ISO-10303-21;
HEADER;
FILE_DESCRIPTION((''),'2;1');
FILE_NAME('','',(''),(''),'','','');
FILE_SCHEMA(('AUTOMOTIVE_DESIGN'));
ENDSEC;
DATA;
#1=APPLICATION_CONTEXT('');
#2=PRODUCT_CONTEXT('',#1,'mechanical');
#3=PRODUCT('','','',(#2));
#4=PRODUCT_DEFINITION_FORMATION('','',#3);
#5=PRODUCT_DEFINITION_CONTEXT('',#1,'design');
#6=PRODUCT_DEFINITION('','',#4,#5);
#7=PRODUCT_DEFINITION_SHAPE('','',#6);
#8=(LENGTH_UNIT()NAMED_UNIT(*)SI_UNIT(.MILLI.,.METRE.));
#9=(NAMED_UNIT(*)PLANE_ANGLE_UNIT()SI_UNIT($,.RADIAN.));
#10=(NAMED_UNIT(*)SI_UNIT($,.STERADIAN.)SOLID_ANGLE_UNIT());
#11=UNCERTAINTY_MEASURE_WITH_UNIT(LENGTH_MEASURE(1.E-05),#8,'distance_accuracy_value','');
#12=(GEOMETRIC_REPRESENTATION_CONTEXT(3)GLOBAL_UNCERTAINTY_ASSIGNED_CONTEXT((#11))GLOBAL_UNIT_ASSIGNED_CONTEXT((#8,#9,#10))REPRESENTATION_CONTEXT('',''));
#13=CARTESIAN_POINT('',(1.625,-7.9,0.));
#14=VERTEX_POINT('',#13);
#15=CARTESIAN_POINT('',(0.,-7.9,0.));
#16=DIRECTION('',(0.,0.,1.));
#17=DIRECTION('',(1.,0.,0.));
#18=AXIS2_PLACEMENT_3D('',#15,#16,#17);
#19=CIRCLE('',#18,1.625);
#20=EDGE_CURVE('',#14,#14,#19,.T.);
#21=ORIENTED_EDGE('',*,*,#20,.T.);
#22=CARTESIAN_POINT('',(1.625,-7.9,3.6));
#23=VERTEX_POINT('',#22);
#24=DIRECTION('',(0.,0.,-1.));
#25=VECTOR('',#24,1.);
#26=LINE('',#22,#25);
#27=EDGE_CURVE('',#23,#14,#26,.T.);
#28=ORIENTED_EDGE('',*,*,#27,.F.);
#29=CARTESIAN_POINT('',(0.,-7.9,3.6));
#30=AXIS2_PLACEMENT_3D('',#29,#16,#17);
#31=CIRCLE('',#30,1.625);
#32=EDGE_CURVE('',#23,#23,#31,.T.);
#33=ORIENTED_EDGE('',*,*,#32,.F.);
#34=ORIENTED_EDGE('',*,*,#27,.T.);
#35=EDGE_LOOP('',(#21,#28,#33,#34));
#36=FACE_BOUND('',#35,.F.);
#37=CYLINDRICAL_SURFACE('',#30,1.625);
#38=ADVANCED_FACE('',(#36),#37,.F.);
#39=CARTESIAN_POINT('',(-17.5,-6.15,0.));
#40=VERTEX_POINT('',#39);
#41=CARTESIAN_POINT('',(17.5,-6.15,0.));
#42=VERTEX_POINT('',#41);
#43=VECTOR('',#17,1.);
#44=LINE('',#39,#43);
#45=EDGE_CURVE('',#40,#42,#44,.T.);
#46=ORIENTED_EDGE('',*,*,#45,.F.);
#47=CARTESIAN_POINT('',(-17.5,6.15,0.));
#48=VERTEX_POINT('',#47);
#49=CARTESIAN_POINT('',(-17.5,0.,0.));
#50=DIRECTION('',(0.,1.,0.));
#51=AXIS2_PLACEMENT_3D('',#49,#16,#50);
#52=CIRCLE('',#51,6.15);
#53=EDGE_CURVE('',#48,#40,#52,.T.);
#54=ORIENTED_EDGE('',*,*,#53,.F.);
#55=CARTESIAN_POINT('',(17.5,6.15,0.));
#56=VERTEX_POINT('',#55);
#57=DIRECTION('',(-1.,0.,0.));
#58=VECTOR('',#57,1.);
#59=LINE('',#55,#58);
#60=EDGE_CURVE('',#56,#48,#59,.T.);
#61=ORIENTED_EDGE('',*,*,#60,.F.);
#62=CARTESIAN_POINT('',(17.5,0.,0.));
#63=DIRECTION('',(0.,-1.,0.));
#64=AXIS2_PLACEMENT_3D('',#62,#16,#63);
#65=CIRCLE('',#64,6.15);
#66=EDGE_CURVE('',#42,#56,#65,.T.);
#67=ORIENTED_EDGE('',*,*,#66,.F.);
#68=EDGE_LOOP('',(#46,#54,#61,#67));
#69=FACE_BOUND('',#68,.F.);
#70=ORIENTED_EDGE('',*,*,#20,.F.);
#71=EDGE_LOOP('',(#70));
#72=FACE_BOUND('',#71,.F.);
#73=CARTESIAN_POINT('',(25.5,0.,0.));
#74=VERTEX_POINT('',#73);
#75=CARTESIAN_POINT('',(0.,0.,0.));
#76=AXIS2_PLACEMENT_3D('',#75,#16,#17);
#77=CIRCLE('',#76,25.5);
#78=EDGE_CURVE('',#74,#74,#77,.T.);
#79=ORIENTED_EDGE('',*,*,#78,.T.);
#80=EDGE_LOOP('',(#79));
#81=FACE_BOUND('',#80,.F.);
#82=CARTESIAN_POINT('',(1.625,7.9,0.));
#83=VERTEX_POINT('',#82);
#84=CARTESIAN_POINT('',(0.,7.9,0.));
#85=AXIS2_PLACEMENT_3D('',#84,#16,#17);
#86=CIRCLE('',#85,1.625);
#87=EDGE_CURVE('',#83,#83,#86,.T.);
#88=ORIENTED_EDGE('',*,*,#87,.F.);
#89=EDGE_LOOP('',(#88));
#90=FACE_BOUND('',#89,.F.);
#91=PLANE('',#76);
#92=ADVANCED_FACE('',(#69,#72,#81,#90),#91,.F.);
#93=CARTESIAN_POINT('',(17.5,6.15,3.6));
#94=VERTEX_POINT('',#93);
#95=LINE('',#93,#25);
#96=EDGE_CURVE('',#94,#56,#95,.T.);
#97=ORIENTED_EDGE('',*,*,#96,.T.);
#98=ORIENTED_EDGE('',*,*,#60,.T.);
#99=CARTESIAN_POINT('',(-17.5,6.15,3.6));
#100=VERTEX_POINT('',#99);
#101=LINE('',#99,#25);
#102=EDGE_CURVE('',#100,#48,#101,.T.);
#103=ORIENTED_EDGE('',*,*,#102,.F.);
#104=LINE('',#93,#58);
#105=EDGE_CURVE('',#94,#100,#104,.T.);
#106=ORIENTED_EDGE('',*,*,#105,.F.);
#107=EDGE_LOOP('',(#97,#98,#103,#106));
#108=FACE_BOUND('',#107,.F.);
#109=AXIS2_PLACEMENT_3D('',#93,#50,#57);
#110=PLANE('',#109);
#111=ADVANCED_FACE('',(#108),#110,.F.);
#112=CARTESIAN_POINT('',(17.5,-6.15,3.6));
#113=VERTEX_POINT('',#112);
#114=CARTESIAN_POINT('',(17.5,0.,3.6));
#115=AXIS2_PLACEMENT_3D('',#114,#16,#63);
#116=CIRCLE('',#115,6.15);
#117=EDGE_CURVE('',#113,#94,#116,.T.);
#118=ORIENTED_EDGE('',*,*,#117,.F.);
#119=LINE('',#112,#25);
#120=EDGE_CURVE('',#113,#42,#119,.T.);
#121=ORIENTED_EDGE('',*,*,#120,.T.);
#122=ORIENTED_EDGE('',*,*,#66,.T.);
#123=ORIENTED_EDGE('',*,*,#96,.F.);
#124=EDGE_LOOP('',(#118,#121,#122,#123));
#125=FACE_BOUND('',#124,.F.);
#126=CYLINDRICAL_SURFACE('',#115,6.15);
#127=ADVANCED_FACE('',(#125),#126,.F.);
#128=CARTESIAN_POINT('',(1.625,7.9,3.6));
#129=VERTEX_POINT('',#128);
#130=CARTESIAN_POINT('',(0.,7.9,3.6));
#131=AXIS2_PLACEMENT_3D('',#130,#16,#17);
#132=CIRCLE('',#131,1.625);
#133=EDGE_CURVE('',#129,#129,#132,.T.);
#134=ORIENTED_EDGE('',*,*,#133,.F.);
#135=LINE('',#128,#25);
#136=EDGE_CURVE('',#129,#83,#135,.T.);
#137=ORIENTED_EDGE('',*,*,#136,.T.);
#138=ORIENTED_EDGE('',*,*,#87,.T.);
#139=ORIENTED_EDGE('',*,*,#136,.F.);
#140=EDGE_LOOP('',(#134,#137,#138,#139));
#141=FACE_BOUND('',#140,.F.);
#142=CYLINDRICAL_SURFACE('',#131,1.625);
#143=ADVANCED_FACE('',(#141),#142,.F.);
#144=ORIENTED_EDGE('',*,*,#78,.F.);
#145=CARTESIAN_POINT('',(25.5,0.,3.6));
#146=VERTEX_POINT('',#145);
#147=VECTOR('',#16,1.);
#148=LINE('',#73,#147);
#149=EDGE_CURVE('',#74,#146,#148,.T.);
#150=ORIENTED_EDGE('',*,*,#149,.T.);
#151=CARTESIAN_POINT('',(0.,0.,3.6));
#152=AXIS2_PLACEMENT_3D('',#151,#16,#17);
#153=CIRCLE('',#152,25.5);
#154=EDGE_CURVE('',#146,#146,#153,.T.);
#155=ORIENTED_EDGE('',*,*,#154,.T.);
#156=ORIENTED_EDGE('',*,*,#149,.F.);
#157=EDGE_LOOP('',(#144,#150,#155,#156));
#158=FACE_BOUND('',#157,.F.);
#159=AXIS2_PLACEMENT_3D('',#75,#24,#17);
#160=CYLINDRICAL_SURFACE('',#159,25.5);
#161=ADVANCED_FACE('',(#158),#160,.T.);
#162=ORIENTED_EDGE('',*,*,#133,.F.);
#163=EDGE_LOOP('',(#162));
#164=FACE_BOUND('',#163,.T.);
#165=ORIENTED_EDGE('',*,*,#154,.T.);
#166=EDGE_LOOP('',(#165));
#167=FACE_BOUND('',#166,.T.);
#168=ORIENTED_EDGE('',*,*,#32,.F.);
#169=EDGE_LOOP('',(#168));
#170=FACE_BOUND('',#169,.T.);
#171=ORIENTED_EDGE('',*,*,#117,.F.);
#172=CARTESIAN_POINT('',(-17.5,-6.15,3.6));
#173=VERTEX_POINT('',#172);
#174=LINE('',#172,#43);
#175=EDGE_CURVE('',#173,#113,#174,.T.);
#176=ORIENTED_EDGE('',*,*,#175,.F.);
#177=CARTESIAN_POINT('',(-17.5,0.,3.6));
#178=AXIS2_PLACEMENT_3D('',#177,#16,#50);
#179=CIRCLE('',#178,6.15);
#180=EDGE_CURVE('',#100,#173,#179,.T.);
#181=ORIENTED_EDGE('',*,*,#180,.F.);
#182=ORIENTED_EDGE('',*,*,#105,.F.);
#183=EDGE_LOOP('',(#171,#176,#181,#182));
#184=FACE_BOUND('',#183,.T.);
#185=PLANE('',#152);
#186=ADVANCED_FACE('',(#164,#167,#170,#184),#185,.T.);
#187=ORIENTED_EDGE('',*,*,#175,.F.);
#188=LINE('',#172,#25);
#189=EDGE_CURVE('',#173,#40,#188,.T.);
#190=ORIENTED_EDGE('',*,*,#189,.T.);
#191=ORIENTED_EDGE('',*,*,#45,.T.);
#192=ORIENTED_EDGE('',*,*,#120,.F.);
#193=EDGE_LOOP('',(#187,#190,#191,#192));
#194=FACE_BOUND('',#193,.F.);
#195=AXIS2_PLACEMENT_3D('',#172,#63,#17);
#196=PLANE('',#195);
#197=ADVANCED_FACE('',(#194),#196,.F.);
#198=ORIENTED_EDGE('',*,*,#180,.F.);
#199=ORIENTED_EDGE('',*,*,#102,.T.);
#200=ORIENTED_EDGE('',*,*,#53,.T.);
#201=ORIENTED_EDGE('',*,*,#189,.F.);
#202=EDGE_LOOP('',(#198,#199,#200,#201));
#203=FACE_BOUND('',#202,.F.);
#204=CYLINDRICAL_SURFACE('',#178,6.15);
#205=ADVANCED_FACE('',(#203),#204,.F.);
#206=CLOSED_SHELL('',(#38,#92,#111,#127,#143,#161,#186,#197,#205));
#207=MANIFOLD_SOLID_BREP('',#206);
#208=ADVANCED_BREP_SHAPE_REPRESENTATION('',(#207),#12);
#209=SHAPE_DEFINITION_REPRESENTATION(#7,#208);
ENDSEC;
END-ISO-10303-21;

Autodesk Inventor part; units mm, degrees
ref_plane "YZ Plane" through (0, 0, 0) normal (1, 0, 0) x (0, 1, 0)
ref_plane "XZ Plane" through (0, 0, 0) normal (0, 1, 0) x (-1, 0, 0)
ref_plane "XY Plane" through (0, 0, 0) normal (0, 0, 1) x (1, 0, 0)
sketch "Sketch1" plane through (0, 0, 0) normal (0, 0, 1) x (1, 0, 0)
  circle A0 centre (0, 0) radius 25.5
  dimension "d0" = 51
extrude "Extrusion1" add sketch "Sketch1" along normal blind 3.6
sketch "Sketch2" plane through (0, 0, 3.6) normal (0, 0, 1) x (1, 0, 0)
  line L0 (17.5, 0) -> (-17.5, 0) construction
  line L1 (17.5, 6.15) -> (-17.5, 6.15)
  line L2 (-17.5, -6.15) -> (17.5, -6.15)
  arc A0 (17.5, -6.15) -> (17.5, 6.15) centre (17.5, 0) ccw
  arc A1 (-17.5, 6.15) -> (-17.5, -6.15) centre (-17.5, 0) ccw
  point P0 (0, 0)
  dimension "d3" = 17.5
  dimension "d4" = 12.3
extrude "Extrusion2" cut sketch "Sketch2" against normal blind 3.6
sketch "Sketch3" plane through (0, 0, 3.6) normal (0, 0, 1) x (1, 0, 0)
  line L0 (-2.6, 9.8) -> (2.6, 9.8)
  line L1 (2.6, 9.8) -> (2.6, 6)
  line L2 (2.6, 6) -> (-2.6, 6)
  line L3 (-2.6, 6) -> (-2.6, 9.8)
  line L4 (-2.6, 9.8) -> (2.6, 6) construction
  line L5 (2.6, 9.8) -> (-2.6, 6) construction
  line L6 (-35.7, 0) -> (35.7, 0) projected
  line L7 (-35.7, 0) -> (35.7, 0) projected
  line L8 (-2.6, -9.8) -> (2.6, -9.8)
  line L9 (2.6, -9.8) -> (2.6, -6)
  line L10 (2.6, -6) -> (-2.6, -6)
  line L11 (-2.6, -6) -> (-2.6, -9.8)
  line L12 (-2.6, -9.8) -> (2.6, -6) construction
  line L13 (2.6, -9.8) -> (-2.6, -6) construction
  circle A0 centre (0, -7.9) radius 1.625
  circle A1 centre (0, 7.9) radius 1.625
  point P0 (0, 0)
  dimension "d7" = 5.2
  dimension "d8" = 3.8
  dimension "d9" = 6
  dimension "d10" = 6
  dimension "d13" = 0
  dimension "d14" = 3.25
  dimension "d15" = 3.25
extrude "Extrusion3" cut sketch "Sketch3" against normal blind 10 contours A0 | A1
properties part number "1"
